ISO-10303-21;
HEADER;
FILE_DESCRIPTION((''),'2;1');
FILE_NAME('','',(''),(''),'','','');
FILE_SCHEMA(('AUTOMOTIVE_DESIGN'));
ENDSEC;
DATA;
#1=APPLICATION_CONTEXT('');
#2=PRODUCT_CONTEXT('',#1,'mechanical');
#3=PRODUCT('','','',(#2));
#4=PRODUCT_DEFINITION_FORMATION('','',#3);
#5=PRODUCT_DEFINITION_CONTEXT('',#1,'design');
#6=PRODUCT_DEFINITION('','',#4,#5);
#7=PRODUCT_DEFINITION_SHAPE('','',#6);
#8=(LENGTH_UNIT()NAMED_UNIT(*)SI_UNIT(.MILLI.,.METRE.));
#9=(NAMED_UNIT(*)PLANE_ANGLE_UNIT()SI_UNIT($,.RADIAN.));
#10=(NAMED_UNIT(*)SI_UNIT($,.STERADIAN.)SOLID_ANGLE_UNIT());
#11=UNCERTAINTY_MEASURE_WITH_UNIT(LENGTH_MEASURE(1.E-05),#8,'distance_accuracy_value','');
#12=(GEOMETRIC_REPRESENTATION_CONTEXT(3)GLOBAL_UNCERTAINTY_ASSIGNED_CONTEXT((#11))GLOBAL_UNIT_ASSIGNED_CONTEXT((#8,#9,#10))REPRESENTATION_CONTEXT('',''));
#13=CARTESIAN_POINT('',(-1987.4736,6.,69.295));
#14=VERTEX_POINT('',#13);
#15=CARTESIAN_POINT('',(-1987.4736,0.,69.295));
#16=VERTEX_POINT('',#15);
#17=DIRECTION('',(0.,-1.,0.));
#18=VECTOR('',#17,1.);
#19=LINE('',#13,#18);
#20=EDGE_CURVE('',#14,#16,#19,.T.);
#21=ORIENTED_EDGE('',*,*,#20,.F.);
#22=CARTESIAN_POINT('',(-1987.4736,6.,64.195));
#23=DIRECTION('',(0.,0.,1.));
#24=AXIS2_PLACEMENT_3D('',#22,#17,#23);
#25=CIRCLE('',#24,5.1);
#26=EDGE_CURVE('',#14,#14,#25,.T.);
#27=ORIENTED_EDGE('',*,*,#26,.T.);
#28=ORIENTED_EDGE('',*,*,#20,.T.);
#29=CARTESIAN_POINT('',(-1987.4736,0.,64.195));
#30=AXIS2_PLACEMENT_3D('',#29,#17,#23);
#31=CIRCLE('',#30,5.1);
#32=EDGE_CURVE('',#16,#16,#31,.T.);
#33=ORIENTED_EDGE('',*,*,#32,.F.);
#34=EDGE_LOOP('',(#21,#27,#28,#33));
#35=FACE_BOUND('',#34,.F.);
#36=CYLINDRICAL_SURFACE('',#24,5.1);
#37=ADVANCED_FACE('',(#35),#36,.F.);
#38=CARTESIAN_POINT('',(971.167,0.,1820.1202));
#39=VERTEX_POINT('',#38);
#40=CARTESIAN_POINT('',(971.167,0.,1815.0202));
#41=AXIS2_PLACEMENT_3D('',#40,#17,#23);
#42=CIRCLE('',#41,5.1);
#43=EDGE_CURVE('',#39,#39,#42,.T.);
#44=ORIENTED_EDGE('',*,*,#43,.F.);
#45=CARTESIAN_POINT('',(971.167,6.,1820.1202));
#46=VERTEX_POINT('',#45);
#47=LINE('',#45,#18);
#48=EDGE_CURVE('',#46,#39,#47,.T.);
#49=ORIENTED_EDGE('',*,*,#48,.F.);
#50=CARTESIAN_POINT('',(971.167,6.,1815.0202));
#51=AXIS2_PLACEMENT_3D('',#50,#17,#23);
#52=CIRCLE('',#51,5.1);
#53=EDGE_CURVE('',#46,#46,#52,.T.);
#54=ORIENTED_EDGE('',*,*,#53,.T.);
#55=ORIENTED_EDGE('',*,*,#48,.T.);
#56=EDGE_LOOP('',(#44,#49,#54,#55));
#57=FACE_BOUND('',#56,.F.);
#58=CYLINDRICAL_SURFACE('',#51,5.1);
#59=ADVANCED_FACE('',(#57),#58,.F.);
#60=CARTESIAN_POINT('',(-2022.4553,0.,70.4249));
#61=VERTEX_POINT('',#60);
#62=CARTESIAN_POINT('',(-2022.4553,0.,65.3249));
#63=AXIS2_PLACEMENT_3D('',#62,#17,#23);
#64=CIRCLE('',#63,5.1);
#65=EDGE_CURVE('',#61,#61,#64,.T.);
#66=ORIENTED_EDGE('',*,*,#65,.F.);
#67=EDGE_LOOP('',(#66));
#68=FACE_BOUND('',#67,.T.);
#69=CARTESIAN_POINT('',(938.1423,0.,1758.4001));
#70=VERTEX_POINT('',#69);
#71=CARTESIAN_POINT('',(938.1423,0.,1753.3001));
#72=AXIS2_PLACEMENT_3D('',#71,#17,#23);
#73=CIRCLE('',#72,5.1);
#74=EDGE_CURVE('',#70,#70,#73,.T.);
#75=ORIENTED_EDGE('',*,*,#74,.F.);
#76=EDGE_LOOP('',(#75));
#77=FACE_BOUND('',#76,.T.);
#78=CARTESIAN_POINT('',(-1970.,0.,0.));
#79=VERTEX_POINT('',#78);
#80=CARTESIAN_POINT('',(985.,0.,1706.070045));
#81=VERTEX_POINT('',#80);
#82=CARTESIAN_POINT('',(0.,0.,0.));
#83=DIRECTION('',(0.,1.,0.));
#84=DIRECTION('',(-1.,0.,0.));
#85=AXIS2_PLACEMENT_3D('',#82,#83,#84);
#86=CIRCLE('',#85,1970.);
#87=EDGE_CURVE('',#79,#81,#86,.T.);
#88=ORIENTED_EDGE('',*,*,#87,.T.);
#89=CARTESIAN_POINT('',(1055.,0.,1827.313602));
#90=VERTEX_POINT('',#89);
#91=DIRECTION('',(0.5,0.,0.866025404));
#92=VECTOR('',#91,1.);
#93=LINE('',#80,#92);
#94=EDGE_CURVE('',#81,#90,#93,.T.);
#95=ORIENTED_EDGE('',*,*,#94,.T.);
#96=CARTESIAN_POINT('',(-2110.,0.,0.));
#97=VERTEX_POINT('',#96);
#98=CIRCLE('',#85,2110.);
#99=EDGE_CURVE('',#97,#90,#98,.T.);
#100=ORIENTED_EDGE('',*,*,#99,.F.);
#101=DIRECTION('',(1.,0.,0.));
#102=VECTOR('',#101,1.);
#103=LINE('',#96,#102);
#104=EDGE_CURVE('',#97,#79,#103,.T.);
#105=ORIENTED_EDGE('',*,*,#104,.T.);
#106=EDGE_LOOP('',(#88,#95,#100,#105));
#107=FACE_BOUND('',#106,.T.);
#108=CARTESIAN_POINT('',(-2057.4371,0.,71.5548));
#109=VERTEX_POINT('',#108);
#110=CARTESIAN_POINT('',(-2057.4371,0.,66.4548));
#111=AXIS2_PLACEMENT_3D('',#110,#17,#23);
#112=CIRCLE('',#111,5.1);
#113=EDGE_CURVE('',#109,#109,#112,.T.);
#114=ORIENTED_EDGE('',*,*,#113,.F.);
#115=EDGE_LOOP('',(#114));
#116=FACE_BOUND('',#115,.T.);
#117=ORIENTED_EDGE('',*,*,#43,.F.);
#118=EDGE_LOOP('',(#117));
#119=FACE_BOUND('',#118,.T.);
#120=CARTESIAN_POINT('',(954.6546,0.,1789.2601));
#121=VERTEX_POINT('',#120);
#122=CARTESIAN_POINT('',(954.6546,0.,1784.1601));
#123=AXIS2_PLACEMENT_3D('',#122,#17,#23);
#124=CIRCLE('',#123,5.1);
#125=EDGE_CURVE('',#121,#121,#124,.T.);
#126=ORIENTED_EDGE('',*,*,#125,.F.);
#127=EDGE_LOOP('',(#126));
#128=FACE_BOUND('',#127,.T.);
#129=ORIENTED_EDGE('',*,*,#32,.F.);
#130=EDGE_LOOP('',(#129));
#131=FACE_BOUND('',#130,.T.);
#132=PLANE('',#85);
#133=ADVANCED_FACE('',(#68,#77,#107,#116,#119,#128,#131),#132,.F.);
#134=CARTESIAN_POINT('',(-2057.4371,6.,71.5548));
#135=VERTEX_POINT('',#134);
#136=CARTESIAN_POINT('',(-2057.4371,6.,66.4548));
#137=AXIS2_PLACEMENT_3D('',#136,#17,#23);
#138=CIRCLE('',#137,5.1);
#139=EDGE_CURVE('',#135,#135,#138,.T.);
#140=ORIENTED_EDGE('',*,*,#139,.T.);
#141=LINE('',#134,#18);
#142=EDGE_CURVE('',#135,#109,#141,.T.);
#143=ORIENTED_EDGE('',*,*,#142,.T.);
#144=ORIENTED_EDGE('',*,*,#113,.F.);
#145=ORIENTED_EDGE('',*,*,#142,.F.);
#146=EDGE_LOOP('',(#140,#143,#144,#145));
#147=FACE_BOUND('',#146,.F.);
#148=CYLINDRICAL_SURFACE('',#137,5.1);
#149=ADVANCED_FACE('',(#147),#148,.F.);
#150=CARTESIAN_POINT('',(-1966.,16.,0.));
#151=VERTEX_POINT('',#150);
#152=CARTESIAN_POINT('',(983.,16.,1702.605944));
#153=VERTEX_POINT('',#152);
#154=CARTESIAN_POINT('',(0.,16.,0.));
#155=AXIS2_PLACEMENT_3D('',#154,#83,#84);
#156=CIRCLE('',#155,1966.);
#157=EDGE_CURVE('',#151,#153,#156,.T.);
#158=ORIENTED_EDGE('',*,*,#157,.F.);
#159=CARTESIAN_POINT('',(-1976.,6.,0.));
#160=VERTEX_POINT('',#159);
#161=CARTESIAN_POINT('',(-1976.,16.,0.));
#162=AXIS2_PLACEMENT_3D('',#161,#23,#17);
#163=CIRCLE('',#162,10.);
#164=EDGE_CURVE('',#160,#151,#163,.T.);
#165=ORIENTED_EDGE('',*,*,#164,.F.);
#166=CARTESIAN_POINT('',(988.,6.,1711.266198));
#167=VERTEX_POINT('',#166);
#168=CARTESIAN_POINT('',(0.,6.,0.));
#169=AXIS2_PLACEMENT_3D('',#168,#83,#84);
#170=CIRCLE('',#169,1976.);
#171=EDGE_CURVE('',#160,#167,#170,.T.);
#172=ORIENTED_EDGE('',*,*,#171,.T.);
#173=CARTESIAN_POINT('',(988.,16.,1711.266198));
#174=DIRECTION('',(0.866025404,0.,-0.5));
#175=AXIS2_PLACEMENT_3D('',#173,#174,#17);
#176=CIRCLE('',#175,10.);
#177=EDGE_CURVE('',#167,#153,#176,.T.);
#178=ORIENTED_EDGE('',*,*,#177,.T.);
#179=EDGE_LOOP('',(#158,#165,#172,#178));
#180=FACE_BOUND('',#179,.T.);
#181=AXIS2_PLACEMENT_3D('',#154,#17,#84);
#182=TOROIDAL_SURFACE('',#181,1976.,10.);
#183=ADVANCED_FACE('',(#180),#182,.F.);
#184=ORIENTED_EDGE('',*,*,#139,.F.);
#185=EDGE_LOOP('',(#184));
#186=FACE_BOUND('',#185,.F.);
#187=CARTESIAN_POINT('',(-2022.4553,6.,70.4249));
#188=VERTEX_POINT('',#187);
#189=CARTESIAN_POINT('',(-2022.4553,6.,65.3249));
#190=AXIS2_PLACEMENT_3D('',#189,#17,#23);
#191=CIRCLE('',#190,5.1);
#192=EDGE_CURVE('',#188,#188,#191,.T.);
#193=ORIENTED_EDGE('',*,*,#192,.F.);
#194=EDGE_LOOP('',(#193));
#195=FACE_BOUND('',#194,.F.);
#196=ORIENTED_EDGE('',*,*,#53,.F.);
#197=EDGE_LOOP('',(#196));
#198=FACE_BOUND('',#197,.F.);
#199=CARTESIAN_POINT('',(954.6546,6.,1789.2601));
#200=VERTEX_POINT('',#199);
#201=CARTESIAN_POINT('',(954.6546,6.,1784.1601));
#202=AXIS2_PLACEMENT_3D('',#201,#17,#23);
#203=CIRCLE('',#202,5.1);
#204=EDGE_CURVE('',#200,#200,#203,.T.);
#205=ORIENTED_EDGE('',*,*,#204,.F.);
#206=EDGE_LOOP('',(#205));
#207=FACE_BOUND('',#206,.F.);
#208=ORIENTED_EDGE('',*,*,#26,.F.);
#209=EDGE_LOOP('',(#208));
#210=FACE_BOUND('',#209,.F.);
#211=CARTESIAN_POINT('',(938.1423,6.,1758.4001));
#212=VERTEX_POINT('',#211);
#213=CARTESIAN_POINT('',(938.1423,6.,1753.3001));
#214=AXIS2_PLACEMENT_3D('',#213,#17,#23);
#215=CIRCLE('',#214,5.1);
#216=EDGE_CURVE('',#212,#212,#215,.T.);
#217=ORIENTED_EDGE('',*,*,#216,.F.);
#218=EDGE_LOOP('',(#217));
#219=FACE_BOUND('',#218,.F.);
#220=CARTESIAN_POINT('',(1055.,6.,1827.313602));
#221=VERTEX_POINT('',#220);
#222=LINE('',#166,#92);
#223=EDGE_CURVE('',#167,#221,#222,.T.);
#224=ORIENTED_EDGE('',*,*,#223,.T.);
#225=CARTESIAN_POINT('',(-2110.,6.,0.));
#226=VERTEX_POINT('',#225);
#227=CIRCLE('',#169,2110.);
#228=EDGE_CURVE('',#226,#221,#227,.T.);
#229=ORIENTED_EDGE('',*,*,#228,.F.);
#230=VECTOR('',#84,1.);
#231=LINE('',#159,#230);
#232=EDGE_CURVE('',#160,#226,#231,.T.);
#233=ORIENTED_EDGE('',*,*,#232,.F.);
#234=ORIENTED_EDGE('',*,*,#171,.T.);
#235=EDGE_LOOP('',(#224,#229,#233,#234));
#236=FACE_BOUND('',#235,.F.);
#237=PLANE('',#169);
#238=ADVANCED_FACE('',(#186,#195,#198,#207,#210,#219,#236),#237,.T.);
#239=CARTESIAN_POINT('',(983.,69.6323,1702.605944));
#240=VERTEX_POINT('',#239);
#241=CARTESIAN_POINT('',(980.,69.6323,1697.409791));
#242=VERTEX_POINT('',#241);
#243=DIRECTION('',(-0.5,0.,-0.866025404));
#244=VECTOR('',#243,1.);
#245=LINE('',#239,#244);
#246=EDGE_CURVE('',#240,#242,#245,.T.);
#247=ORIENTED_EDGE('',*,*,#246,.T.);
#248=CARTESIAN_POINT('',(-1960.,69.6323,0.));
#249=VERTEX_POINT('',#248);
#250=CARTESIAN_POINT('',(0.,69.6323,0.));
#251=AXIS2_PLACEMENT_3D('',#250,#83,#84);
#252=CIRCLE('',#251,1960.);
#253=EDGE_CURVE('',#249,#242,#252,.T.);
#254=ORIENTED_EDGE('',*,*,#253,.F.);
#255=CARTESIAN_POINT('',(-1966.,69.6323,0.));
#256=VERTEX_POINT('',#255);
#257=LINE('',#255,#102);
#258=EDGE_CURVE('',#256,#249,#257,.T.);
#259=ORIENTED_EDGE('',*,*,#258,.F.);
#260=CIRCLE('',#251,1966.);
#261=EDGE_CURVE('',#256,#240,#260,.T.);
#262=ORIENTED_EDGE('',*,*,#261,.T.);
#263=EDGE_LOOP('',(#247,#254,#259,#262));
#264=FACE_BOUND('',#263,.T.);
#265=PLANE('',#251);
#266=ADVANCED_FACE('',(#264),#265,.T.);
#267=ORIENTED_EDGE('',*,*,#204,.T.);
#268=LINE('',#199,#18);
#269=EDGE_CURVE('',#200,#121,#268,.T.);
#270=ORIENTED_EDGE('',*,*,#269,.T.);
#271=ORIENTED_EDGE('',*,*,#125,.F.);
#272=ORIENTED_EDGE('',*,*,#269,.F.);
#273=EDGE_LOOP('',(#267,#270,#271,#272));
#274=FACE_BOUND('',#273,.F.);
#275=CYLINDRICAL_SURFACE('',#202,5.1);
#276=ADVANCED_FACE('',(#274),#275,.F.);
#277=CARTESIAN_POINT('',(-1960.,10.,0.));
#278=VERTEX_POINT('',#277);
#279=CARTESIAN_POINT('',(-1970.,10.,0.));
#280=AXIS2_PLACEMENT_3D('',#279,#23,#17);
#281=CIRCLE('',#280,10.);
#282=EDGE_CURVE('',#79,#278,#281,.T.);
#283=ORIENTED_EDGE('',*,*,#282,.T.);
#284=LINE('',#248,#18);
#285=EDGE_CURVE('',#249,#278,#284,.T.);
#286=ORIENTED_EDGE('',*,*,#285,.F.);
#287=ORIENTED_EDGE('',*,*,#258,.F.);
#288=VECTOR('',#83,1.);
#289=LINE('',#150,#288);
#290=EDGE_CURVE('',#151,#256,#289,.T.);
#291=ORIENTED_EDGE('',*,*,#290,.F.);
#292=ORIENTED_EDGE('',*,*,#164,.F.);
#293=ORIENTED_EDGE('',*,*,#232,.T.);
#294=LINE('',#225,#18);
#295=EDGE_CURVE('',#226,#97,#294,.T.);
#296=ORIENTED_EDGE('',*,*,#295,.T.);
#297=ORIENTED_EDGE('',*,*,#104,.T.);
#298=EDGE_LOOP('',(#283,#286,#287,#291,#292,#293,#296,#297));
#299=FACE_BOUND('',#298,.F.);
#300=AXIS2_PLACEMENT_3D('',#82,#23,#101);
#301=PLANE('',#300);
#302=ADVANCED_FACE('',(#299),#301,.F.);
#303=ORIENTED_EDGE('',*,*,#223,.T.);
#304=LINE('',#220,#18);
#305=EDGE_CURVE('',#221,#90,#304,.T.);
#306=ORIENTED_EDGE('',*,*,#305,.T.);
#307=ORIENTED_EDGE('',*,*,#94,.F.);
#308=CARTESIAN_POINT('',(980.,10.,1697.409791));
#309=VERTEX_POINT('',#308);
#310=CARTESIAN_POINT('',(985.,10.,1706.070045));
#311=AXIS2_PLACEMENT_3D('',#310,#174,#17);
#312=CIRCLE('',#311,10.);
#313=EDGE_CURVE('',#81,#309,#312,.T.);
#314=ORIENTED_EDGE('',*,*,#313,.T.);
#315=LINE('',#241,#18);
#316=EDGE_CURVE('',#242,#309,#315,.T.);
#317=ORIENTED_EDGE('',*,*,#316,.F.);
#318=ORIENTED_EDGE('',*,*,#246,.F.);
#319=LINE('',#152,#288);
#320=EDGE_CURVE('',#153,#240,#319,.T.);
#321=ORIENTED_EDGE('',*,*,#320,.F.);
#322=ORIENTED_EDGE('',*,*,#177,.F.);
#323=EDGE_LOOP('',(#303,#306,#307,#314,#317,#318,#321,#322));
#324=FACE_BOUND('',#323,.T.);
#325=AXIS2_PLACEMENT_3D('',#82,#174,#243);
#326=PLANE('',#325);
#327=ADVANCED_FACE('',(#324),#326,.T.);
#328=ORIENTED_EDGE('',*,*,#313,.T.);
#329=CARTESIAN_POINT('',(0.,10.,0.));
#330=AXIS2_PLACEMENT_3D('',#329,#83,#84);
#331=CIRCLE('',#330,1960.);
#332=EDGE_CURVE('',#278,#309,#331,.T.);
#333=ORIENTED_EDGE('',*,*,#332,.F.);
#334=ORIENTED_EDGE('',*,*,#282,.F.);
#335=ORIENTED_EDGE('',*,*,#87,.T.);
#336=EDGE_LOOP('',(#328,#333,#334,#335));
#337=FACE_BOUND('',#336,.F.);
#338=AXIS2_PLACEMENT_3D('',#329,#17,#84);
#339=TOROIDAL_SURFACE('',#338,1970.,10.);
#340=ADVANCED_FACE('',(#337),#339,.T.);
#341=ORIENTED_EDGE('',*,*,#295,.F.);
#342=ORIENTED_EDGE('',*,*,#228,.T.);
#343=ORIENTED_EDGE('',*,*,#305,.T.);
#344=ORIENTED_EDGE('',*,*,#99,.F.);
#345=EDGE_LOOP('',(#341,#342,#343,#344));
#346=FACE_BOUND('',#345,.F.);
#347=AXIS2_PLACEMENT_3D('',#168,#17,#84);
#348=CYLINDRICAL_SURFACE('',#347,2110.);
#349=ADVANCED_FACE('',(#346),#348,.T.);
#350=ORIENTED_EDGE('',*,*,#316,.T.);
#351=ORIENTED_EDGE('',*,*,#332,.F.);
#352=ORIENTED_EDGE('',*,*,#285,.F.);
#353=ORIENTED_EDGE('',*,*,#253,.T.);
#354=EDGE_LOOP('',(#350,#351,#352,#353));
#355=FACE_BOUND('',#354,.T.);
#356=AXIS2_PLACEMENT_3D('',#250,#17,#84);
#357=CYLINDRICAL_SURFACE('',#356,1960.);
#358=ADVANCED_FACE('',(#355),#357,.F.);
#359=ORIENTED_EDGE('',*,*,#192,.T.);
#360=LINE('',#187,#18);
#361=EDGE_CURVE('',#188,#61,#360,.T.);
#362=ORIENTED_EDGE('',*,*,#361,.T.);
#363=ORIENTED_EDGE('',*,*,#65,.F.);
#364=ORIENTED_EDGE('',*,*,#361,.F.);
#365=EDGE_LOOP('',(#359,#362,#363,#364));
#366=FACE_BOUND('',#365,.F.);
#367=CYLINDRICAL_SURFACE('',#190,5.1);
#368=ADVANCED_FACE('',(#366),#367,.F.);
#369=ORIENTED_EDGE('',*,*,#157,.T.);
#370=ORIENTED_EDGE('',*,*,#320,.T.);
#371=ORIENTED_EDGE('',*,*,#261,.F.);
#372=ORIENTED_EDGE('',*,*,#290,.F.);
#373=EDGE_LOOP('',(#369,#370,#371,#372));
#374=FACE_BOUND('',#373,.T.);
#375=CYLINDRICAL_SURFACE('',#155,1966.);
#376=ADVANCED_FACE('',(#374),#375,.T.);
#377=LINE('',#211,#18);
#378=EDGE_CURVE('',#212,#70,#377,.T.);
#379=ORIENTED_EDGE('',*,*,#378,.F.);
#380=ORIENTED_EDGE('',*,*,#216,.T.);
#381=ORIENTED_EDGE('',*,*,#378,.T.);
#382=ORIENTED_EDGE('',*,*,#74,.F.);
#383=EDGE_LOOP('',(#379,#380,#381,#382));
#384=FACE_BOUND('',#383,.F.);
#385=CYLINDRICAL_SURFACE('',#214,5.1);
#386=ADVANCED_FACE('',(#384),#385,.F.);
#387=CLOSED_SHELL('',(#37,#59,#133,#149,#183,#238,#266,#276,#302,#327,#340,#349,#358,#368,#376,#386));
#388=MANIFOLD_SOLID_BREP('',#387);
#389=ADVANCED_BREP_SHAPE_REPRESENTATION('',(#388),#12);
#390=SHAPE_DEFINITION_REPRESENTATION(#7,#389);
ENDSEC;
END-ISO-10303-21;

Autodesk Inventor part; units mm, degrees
ref_plane "YZ Plane" through (0, 0, 0) normal (1, 0, 0) x (0, 1, 0)
ref_plane "XZ Plane" through (0, 0, 0) normal (0, 1, 0) x (-1, 0, 0)
ref_plane "XY Plane" through (0, 0, 0) normal (0, 0, 1) x (1, 0, 0)
sketch "Sketch1" plane through (0, 0, 0) normal (0, 0, 1) x (1, 0, 0)
  line L0 (-1970, 0) -> (-2110, 0)
  line L1 (0, 0) -> (0, 620.2794)
  line L2 (-2110, 0) -> (-1960, 0)
  line L3 (-1960, 0) -> (-1960, 6)
  line L4 (-1976, 6) -> (-2110, 6)
  line L5 (-2110, 6) -> (-2110, 0)
  line L6 (-1960, 0) -> (-2037.7729, 0)
  line L7 (-1966, 16) -> (-1966, 69.6323)
  line L8 (-1966, 69.6323) -> (-1960, 69.6323)
  line L9 (-1960, 69.6323) -> (-1960, 10)
  arc A0 (-1976, 6) -> (-1966, 16) centre (-1976, 16) ccw
  arc A1 (-1970, 0) -> (-1960, 10) centre (-1970, 10) ccw
  dimension "d1" = 150
  dimension "d2" = 6
  dimension "d3" = 6
  dimension "d4" = 100
  dimension "d5" = 10
  dimension "d6" = 10
  dimension "d39" = 1960
revolve "Revolution1" add sketch "Sketch1" angle 120 about axis through (0, 0, 0) along (0, 1, 0)
sketch "Sketch2" plane through (-2110, 6, 0) normal (0, 1, 0) x (1, 0, 0)
  line L0 (3098, -1711.2662) -> (3165, -1827.3136) projected
  arc A0 (3105.459, -1860.4197) -> (3165, -1827.3136) centre (2110, 0) ccw
  line L1 (2110, 0) -> (3105.459, -1860.4197) construction
  line L2 (2110, 0) -> (3165, -1827.3136) construction
  arc A1 (0, 0) -> (3165, -1827.3136) centre (2110, 0) ccw projected
  line L3 (3105.459, -1860.4197) -> (3023.8502, -1707.9006)
  line L4 (3064.6546, -1784.1601) -> (3048.1423, -1753.3001)
  line L5 (3064.6546, -1784.1601) -> (3081.167, -1815.0202)
  line L6 (2110, 0) -> (1055, -1827.3136)
  line L7 (2110, 0) -> (4220, 0) construction
  line L8 (87.5447, -65.3249) -> (122.5264, -64.195)
  line L9 (87.5447, -65.3249) -> (52.5629, -66.4548)
  point P0 (1.0998, -68.1171)
  point P1 (1.0998, -68.1171)
  dimension "d8" = 1.85
  dimension "d9" = 35
  dimension "d10" = 35
  dimension "d11" = 120
hole "Hole1" at (954.6546, 6, 1784.1601) at (938.1423, 6, 1753.3001) at (971.167, 6, 1815.0202) direction (0, -1, 0) diameter 10.2 end through all
thread "Thread1" size "M10x1.5" class "6H" standard "ANSI Metric M Profile" full length
thread "Thread2" size "M10x1.5" class "6H" standard "ANSI Metric M Profile" full length
thread "Thread3" size "M11x1.5" class "6H" standard "ANSI Metric M Profile" full length
hole "Hole2" at (-2022.4553, 6, 65.3249) at (-2057.4371, 6, 66.4548) at (-1987.4736, 6, 64.195) direction (0, -1, 0) diameter 10.2 end through all
thread "Thread4" size "M10x1.5" class "6H" standard "ANSI Metric M Profile" full length
thread "Thread5" size "M10x1.5" class "6H" standard "ANSI Metric M Profile" full length
thread "Thread6" size "M10x1.5" class "6H" standard "ANSI Metric M Profile" full length
properties part number "Support Ring Section, L Section" material "Aluminum 6061"
